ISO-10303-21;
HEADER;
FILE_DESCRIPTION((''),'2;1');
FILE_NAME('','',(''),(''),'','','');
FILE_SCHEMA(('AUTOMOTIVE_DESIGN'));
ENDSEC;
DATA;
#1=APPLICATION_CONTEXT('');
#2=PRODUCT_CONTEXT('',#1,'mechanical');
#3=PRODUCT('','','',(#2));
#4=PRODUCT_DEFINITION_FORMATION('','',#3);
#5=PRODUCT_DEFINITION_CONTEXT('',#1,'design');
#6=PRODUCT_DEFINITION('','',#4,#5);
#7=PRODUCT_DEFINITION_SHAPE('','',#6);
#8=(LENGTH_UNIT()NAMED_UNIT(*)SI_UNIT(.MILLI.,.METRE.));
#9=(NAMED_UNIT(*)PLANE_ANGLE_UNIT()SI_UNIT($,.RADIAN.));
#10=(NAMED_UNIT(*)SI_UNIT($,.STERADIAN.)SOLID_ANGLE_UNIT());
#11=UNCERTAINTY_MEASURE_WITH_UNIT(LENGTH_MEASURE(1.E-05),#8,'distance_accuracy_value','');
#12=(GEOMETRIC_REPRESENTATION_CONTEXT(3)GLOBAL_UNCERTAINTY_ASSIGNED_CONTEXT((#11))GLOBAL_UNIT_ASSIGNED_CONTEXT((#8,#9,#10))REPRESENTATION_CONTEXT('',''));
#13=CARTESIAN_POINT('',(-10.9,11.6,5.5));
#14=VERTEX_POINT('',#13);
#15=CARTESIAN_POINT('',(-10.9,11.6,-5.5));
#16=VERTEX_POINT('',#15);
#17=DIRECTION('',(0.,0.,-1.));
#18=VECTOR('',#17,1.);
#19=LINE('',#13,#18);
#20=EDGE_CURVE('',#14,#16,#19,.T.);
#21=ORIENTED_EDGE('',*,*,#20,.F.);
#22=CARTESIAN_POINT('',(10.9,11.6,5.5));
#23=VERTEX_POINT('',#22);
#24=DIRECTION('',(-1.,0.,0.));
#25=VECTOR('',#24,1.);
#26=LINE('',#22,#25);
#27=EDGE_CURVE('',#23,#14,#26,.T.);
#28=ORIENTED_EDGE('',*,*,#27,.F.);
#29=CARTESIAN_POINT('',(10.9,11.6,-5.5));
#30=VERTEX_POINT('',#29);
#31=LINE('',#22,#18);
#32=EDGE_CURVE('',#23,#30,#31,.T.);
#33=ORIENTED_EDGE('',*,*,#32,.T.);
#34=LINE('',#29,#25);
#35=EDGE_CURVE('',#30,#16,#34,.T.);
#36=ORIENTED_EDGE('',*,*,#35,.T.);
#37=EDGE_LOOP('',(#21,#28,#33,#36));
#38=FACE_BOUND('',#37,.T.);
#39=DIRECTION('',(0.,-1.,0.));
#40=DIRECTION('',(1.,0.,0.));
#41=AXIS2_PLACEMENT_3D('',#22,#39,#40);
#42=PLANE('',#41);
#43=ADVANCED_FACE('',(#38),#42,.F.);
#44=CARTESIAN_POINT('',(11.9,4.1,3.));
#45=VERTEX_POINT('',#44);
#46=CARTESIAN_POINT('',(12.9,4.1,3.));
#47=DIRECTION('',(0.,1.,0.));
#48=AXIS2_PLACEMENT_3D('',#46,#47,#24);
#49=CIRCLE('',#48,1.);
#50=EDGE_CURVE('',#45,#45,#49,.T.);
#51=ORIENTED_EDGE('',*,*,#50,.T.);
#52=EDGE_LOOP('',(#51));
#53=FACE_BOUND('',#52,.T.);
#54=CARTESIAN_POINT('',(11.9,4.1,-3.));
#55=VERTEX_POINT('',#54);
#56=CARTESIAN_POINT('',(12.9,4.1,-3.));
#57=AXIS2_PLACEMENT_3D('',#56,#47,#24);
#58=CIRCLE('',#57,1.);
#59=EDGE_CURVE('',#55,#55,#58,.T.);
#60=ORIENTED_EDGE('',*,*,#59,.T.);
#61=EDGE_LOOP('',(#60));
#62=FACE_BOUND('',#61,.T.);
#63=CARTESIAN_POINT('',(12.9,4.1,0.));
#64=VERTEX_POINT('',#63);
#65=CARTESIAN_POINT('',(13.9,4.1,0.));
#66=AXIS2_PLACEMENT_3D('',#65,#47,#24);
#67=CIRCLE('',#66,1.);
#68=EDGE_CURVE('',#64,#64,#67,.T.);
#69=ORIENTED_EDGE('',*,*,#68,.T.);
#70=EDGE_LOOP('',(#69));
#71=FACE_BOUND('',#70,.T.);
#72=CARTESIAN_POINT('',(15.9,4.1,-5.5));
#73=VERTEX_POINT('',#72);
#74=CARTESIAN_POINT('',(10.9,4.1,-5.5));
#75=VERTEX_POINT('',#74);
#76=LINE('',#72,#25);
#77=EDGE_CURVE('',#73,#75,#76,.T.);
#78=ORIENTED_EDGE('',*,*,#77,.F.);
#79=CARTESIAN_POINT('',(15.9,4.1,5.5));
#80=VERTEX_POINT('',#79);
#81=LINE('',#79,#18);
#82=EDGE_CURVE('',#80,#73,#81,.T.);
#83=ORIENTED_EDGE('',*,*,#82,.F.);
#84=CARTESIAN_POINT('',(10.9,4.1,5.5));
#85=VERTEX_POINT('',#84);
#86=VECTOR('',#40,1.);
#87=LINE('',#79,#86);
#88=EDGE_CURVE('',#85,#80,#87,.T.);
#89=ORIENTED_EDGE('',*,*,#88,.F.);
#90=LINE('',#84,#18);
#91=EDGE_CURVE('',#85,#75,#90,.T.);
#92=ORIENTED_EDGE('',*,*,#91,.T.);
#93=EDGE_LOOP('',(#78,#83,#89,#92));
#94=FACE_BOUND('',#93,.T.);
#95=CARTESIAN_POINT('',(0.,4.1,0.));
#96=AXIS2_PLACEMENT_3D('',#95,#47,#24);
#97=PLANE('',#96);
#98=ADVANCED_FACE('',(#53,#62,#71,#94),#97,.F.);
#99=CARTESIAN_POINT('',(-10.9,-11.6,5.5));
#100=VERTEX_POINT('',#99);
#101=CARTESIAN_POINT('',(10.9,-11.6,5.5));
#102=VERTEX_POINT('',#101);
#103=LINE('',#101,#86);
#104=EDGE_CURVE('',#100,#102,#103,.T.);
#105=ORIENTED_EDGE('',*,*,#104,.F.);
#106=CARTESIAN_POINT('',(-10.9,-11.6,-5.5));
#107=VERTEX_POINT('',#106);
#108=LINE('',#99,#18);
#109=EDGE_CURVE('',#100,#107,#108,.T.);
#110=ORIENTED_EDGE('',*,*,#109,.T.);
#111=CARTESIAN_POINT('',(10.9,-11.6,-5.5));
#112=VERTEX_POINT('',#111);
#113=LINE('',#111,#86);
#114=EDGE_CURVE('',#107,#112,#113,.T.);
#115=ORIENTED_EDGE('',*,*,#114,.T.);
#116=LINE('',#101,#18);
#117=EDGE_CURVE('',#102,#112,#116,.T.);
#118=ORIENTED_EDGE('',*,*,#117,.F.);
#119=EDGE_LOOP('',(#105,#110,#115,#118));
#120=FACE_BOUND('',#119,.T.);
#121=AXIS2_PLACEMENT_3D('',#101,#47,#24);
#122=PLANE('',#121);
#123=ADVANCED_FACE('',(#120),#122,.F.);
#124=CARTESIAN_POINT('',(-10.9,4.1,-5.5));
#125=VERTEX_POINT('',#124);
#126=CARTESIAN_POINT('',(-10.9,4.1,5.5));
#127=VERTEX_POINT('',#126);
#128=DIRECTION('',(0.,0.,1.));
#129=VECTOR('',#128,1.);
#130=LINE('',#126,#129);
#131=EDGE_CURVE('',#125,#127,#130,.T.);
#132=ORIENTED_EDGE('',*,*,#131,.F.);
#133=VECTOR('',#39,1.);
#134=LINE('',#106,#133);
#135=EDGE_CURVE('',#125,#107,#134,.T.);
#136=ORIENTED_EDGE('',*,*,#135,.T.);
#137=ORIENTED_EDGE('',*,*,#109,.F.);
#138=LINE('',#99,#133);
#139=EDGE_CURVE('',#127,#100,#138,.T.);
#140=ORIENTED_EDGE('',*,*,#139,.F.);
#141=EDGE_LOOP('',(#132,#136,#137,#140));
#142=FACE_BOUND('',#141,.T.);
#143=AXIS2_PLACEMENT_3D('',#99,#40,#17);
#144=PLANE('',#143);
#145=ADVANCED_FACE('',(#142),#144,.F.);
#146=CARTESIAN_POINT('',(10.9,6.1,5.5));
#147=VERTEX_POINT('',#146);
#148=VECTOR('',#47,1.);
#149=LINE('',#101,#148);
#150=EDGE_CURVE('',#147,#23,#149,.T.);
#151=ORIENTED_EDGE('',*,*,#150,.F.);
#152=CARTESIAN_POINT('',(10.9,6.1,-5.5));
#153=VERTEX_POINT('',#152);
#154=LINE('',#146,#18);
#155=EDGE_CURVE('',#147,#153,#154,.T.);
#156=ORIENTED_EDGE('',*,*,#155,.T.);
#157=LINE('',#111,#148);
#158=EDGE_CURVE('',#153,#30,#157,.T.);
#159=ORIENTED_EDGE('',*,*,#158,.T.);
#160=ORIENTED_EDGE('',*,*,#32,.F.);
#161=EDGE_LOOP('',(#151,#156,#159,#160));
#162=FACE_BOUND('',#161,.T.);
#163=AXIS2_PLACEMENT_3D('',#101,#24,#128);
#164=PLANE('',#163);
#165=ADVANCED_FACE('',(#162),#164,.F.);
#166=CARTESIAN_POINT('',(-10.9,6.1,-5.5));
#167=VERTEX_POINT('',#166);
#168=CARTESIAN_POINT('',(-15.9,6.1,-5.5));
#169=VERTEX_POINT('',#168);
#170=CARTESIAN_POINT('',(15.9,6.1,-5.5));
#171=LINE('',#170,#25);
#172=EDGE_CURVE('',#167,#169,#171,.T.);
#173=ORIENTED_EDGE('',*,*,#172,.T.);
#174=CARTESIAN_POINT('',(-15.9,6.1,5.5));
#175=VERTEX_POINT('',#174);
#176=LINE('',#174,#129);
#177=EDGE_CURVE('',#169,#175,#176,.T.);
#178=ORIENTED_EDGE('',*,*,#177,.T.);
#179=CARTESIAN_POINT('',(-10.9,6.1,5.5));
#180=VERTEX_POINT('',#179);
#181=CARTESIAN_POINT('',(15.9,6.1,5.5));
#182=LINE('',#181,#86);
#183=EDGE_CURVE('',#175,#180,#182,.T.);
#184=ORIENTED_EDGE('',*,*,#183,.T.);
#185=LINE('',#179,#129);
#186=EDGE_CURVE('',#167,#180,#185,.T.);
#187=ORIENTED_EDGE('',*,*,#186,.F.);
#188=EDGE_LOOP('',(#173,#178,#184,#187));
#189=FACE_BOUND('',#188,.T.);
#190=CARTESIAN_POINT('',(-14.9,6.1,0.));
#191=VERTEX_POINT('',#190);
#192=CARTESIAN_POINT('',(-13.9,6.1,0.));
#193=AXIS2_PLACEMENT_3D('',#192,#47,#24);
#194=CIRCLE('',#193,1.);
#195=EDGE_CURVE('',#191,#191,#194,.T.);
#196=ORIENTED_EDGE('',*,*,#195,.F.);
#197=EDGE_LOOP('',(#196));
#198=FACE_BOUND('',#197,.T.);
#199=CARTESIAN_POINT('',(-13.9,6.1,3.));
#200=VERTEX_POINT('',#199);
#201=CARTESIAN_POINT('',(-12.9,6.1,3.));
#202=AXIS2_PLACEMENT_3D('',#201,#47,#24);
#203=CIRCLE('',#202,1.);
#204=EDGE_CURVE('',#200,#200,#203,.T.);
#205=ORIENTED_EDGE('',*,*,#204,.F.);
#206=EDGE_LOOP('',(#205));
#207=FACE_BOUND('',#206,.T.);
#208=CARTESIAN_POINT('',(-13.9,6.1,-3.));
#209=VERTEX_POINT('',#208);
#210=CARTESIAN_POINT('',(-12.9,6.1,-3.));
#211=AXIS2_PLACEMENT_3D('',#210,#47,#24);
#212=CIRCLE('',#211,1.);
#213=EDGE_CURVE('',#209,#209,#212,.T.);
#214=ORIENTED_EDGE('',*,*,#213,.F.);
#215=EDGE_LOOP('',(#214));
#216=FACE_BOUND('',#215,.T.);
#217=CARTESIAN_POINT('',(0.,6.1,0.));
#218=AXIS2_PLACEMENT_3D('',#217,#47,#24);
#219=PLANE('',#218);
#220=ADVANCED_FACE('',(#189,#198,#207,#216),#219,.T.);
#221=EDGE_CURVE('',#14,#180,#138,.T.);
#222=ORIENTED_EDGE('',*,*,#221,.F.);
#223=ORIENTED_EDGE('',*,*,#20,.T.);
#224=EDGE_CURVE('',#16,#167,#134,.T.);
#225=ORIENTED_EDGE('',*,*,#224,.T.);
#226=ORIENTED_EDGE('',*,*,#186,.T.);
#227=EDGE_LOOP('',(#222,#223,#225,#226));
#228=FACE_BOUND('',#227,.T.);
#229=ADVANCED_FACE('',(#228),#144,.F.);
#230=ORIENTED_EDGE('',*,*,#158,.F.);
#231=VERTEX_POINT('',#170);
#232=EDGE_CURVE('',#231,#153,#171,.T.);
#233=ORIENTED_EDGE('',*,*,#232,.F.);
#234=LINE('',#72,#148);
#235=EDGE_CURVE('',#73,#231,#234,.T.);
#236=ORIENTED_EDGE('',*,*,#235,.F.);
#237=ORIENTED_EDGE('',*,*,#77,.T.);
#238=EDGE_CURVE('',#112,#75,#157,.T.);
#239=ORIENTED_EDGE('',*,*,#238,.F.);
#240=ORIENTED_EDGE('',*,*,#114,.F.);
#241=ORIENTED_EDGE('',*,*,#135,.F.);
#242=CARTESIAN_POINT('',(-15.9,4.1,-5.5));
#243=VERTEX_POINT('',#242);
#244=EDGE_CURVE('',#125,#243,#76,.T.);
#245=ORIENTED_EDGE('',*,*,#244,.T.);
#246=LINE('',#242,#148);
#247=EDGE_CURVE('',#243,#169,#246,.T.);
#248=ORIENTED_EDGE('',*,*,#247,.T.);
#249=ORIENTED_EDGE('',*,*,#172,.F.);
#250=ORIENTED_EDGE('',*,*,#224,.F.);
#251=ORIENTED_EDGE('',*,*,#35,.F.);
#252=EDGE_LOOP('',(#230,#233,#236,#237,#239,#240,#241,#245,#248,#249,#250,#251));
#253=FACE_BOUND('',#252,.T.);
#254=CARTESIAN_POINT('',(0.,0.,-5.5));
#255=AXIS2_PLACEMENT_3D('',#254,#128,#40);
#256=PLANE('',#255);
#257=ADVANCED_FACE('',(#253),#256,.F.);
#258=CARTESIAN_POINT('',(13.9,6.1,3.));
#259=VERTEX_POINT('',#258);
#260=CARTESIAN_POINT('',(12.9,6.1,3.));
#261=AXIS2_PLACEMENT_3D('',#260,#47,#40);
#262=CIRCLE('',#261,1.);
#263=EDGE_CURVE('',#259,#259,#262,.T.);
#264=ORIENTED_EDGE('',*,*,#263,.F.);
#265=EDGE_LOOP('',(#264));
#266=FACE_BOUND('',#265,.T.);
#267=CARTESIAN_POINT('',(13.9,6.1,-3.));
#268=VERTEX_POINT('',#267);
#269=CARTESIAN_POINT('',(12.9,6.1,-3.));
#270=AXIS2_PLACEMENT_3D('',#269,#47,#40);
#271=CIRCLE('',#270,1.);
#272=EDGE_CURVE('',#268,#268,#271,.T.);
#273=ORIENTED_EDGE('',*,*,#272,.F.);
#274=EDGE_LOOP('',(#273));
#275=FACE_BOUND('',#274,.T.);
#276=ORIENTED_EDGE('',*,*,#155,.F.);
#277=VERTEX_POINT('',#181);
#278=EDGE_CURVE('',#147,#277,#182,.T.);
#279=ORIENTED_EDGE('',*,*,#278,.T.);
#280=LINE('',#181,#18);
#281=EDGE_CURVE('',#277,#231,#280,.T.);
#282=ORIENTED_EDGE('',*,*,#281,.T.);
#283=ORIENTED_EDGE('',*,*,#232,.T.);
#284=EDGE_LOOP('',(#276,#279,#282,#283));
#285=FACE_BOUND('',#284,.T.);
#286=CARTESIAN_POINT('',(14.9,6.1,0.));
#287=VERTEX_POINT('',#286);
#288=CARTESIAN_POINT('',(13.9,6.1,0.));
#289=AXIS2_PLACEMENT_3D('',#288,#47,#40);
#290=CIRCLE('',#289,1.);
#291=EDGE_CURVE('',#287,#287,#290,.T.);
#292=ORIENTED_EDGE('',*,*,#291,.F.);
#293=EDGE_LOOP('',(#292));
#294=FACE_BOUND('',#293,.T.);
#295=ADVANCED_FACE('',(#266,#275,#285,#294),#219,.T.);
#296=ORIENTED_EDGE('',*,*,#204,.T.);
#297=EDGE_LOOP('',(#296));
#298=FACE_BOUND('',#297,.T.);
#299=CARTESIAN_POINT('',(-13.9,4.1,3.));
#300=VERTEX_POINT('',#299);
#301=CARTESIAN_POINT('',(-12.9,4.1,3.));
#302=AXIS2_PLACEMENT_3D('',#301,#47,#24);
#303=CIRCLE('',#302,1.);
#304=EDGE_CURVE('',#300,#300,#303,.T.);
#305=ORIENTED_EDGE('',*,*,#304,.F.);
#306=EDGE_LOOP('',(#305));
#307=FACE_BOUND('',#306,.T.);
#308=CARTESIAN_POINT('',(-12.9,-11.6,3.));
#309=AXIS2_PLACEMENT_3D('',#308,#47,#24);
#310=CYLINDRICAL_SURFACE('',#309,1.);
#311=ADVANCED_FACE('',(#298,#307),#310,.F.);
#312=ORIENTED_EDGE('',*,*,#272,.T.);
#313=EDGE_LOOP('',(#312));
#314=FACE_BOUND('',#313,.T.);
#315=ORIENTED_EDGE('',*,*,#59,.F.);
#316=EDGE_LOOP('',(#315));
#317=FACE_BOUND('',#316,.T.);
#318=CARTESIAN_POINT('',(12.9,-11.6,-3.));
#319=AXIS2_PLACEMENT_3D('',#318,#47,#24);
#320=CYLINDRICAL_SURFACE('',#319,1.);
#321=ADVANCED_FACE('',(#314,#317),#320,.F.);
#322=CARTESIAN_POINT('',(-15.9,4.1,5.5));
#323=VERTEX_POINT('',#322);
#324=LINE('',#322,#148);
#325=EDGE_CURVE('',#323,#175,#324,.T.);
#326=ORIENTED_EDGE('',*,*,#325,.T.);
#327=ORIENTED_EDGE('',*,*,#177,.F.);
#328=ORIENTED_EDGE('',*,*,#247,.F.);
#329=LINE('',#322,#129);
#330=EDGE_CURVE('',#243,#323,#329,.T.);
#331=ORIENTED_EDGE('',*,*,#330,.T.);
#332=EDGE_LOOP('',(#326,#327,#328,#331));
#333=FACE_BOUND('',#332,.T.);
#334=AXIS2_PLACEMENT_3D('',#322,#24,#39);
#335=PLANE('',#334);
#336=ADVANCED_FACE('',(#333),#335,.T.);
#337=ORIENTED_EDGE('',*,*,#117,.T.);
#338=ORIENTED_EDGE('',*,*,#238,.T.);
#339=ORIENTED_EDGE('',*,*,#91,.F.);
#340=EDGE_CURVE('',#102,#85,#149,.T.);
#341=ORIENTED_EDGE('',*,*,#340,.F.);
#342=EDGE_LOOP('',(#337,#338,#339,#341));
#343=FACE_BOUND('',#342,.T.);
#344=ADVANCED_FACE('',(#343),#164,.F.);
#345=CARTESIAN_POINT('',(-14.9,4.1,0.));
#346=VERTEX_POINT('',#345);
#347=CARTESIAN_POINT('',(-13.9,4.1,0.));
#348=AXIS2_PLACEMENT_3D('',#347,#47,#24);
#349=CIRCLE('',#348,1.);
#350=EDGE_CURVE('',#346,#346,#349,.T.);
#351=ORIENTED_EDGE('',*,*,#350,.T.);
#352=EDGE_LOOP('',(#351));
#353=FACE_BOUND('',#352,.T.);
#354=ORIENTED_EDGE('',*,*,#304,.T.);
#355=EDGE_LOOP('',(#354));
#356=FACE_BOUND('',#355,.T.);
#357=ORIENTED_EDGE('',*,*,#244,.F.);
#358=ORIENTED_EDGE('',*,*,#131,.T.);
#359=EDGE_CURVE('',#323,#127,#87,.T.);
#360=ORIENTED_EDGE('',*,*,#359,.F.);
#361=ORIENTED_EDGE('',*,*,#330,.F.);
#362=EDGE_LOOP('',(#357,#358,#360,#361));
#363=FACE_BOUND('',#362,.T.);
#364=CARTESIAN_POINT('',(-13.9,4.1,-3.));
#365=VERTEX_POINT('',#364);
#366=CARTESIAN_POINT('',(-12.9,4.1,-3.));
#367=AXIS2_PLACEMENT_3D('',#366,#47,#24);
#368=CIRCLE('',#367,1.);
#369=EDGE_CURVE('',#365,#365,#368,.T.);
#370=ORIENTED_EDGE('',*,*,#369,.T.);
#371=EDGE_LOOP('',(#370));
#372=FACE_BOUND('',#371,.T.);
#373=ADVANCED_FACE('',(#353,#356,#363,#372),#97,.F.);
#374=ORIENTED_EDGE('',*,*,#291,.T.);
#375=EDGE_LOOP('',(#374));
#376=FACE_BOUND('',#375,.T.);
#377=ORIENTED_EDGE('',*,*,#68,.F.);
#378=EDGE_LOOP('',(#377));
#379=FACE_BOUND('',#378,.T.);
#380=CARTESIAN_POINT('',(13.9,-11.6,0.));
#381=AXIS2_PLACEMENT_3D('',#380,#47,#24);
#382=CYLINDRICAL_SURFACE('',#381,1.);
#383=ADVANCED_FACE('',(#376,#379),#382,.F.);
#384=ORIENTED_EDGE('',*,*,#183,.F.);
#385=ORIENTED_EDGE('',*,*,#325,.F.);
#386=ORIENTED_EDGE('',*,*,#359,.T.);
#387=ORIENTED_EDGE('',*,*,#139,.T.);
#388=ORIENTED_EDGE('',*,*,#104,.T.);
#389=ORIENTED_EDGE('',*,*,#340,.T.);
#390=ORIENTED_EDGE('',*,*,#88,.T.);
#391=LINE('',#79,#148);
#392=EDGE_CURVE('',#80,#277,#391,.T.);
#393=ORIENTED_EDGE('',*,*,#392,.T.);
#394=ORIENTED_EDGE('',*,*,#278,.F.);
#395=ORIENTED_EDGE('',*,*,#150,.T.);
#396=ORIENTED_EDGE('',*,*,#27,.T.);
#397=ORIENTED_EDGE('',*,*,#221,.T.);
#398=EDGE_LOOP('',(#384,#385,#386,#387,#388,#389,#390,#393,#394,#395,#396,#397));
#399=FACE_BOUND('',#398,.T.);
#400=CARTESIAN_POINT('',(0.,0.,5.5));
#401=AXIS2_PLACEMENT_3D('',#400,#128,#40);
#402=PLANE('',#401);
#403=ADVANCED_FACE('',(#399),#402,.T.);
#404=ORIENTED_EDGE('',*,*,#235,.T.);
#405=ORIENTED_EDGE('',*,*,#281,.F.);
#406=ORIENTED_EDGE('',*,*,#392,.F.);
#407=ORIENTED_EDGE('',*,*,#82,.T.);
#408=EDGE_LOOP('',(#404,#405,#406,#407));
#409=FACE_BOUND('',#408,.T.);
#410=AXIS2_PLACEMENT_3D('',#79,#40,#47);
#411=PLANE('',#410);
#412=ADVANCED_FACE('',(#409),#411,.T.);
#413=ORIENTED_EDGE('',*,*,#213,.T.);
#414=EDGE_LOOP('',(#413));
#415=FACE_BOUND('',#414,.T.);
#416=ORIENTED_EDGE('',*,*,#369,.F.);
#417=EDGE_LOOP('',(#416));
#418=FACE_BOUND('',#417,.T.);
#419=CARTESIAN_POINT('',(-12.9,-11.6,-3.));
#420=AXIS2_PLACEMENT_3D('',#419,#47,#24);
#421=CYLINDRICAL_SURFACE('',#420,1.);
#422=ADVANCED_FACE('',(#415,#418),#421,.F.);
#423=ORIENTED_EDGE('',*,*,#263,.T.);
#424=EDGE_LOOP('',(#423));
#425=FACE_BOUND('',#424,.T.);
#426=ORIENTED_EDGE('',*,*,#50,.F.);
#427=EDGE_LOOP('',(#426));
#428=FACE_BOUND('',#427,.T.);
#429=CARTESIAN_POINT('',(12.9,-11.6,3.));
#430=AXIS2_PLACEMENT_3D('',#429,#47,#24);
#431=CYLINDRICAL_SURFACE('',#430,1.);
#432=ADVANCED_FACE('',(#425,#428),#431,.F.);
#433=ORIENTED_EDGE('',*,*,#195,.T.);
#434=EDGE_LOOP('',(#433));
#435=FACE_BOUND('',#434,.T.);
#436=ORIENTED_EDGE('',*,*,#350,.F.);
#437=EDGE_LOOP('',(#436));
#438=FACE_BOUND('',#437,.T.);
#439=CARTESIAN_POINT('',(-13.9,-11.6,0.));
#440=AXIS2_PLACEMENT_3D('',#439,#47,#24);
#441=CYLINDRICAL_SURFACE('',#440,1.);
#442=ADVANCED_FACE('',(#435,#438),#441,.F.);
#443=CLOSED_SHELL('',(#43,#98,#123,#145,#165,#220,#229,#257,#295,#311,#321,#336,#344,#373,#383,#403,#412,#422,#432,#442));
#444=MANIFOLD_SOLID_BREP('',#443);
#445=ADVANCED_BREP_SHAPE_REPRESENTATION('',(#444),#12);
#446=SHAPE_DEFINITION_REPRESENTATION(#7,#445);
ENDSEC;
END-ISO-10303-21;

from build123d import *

# Parameters (mm, degrees)
SKETCH1_W           = 21.8
SKETCH1_H           = 23.2
BOSS_EXTRUDE1_DEPTH = 5.5
BOSS_EXTRUDE2_START = -5.5
SKETCH2_W           = 31.8
SKETCH2_H           = 11
BOSS_EXTRUDE2_DEPTH = 2
SKETCH3_R           = 1
CUT_EXTRUDE1_DEPTH  = 25.420278459


with BuildPart() as part:
    # Sketch1 → Boss-Extrude1 (new, symmetric)
    with BuildSketch(Plane.XY):
        Rectangle(SKETCH1_W, SKETCH1_H)
    extrude(amount=BOSS_EXTRUDE1_DEPTH, both=True)

    # Sketch2 → Boss-Extrude2 (add)
    with BuildSketch(Plane(origin=(0, 11.6, 0), x_dir=(1, 0, 0), z_dir=(0, 1, 0)).offset(BOSS_EXTRUDE2_START)):
        Rectangle(SKETCH2_W, SKETCH2_H)
    extrude(amount=-BOSS_EXTRUDE2_DEPTH)

    # Sketch3 → Cut-Extrude1 (cut, through all)
    with BuildSketch(Plane(origin=(0, 6.1, 0), x_dir=(1, 0, 0), z_dir=(0, 1, 0))):
        with Locations(Location((-13.9, 0, 0), (0, 0, 180))):
            Circle(SKETCH3_R)
        with Locations(Location((-12.9, 3, 0), (0, 0, 180))):
            Circle(SKETCH3_R)
        with Locations(Location((-12.9, -3, 0), (0, 0, 180))):
            Circle(SKETCH3_R)
        with Locations(Location((12.9, -3, 0), (0, 0, 180))):
            Circle(SKETCH3_R)
        with Locations(Location((12.9, 3, 0), (0, 0, 180))):
            Circle(SKETCH3_R)
        with Locations(Location((13.9, 0, 0), (0, 0, 180))):
            Circle(SKETCH3_R)
    extrude(amount=-CUT_EXTRUDE1_DEPTH, mode=Mode.SUBTRACT)


solid = part.part
